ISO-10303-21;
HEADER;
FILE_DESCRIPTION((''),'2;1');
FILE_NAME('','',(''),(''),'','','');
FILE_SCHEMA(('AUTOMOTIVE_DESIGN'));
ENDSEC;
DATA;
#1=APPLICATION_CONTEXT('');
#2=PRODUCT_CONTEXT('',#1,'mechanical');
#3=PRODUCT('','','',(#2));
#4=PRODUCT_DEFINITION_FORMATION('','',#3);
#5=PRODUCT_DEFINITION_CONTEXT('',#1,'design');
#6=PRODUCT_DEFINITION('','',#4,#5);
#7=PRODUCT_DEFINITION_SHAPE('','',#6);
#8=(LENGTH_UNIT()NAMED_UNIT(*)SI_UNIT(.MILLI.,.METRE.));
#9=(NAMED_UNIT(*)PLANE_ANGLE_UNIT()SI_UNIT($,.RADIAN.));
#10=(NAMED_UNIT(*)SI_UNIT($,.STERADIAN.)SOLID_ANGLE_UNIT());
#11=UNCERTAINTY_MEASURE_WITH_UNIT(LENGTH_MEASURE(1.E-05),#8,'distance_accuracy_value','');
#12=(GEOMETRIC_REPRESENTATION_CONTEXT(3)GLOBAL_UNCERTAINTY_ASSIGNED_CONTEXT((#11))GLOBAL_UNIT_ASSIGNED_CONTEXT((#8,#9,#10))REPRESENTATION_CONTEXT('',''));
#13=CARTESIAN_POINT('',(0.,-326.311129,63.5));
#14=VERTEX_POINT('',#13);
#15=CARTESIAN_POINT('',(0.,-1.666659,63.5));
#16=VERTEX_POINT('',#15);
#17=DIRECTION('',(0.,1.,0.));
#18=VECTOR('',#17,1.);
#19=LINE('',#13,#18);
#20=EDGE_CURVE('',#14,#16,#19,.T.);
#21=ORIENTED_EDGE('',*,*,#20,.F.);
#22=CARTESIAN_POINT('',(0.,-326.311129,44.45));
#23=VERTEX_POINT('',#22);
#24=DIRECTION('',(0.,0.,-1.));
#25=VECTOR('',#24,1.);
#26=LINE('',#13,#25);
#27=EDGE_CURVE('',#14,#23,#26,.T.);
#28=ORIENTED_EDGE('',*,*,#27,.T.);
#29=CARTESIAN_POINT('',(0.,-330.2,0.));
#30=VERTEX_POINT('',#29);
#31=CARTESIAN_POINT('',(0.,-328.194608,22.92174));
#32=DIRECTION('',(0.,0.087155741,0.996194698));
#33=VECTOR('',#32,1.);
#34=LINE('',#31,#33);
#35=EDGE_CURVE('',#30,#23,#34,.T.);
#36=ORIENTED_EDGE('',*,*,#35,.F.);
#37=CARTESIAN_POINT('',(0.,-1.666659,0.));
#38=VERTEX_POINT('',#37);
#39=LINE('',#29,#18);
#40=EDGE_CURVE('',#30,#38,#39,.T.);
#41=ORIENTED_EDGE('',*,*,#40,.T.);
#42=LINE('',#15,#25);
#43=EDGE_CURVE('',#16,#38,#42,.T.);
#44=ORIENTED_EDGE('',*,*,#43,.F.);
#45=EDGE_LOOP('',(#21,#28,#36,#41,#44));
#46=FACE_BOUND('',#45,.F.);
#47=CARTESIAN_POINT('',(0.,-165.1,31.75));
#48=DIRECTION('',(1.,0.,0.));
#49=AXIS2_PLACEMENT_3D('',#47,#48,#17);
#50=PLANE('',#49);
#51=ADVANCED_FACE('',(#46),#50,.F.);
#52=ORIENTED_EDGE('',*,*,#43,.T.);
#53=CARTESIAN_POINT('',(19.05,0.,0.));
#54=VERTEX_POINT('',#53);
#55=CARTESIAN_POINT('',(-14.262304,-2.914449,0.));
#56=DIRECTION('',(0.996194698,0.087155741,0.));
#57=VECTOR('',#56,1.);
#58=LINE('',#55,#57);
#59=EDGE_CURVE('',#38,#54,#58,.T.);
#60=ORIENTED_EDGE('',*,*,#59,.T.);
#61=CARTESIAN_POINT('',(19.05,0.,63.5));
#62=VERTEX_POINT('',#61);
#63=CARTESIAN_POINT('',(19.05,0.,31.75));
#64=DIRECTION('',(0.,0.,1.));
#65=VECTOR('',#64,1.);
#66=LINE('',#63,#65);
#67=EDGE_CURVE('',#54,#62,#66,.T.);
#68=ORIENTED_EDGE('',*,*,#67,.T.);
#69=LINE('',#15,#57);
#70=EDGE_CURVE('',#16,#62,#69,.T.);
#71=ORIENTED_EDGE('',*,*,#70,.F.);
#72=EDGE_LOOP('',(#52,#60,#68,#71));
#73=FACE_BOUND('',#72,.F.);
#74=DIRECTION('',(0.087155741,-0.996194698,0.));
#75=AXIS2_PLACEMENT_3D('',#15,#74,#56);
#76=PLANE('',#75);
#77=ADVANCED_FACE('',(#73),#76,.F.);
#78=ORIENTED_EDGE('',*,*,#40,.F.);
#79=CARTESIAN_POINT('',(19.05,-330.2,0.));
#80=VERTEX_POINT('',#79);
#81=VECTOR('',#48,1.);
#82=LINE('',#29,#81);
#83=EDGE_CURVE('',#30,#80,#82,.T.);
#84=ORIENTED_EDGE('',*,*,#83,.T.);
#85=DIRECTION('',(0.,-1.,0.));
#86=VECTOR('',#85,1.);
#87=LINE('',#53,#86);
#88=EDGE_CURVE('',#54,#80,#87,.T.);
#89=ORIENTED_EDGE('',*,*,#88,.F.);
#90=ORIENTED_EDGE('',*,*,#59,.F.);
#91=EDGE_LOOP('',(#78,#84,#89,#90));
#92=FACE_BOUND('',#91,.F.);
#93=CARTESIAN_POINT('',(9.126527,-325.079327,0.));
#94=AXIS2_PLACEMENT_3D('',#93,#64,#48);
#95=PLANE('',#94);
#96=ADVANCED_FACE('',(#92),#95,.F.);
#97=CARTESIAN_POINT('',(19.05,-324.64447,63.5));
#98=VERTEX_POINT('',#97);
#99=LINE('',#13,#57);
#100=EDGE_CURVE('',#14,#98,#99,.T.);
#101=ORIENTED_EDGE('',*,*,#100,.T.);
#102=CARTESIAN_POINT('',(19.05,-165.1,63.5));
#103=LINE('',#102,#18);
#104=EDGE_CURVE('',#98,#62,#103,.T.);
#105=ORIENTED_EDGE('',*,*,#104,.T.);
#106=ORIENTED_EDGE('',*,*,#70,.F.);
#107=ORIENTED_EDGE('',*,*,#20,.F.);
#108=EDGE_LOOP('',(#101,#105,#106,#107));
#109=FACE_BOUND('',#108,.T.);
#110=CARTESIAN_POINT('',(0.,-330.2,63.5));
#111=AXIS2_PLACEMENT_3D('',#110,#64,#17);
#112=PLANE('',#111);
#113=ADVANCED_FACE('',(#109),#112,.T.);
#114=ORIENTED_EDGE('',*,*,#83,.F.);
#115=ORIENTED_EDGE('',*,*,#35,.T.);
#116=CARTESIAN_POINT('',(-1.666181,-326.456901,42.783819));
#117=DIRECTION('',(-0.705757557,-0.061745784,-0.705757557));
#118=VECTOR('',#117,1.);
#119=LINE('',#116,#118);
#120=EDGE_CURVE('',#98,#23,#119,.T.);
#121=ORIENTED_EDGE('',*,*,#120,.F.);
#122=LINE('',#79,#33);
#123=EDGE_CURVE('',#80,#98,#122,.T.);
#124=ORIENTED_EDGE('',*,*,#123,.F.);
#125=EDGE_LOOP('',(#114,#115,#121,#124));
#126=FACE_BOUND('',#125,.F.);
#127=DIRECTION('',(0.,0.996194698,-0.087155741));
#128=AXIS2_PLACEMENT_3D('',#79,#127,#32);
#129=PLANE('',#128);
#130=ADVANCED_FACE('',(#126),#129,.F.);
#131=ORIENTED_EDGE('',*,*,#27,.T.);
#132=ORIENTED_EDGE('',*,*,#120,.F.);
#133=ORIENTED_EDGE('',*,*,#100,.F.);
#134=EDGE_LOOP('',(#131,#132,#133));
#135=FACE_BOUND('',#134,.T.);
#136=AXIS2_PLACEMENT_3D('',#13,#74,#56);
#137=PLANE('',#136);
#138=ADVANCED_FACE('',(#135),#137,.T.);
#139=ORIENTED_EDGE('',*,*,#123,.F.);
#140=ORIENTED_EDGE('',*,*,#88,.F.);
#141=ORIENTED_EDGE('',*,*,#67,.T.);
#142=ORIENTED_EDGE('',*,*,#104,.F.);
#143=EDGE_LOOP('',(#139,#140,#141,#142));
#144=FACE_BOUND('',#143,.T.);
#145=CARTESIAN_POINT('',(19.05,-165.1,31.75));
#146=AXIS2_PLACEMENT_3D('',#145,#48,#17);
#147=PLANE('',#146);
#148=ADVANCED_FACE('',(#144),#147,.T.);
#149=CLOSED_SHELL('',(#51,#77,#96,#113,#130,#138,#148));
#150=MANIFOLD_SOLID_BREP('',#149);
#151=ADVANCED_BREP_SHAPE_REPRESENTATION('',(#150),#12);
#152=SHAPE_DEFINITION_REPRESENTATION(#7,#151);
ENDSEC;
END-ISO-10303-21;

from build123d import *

# Parameters (mm, degrees)
F0_W     = 330.2
F0_H     = 63.5
F1_DEPTH = 19.05
F3_DEPTH = 63.501
F5_DEPTH = 19.051
F7_DEPTH = 63.5


with BuildPart() as f1:
    # F0 (on Right) → F1 (new body)
    with BuildSketch(Plane.YZ):
        with Locations((-165.1, 31.75)):
            Rectangle(F0_W, F0_H)
    extrude(amount=F1_DEPTH)

    # F2 (on face) → F3 (cut, through all)
    with BuildSketch(Plane.XY.offset(63.5)):
        Polygon((0, -1.666659), (19.05, 0), (0, 0), align=None)
    extrude(amount=-F3_DEPTH, mode=Mode.SUBTRACT)

    # F4 (on face) → F5 (cut, through all)
    with BuildSketch(Plane.YZ.offset(19.05)):
        Polygon((-324.64447, 63.5), (-330.2, 63.5), (-330.2, 0), align=None)
    extrude(amount=-F5_DEPTH, mode=Mode.SUBTRACT)

    # F6 (on face) → F7 (join)
    with BuildSketch(Plane.XY.offset(63.5)):
        Polygon((19.05, -324.64447), (0, -324.64447), (0, -326.311129), align=None)
    extrude(amount=-F7_DEPTH)


solid = f1.part
